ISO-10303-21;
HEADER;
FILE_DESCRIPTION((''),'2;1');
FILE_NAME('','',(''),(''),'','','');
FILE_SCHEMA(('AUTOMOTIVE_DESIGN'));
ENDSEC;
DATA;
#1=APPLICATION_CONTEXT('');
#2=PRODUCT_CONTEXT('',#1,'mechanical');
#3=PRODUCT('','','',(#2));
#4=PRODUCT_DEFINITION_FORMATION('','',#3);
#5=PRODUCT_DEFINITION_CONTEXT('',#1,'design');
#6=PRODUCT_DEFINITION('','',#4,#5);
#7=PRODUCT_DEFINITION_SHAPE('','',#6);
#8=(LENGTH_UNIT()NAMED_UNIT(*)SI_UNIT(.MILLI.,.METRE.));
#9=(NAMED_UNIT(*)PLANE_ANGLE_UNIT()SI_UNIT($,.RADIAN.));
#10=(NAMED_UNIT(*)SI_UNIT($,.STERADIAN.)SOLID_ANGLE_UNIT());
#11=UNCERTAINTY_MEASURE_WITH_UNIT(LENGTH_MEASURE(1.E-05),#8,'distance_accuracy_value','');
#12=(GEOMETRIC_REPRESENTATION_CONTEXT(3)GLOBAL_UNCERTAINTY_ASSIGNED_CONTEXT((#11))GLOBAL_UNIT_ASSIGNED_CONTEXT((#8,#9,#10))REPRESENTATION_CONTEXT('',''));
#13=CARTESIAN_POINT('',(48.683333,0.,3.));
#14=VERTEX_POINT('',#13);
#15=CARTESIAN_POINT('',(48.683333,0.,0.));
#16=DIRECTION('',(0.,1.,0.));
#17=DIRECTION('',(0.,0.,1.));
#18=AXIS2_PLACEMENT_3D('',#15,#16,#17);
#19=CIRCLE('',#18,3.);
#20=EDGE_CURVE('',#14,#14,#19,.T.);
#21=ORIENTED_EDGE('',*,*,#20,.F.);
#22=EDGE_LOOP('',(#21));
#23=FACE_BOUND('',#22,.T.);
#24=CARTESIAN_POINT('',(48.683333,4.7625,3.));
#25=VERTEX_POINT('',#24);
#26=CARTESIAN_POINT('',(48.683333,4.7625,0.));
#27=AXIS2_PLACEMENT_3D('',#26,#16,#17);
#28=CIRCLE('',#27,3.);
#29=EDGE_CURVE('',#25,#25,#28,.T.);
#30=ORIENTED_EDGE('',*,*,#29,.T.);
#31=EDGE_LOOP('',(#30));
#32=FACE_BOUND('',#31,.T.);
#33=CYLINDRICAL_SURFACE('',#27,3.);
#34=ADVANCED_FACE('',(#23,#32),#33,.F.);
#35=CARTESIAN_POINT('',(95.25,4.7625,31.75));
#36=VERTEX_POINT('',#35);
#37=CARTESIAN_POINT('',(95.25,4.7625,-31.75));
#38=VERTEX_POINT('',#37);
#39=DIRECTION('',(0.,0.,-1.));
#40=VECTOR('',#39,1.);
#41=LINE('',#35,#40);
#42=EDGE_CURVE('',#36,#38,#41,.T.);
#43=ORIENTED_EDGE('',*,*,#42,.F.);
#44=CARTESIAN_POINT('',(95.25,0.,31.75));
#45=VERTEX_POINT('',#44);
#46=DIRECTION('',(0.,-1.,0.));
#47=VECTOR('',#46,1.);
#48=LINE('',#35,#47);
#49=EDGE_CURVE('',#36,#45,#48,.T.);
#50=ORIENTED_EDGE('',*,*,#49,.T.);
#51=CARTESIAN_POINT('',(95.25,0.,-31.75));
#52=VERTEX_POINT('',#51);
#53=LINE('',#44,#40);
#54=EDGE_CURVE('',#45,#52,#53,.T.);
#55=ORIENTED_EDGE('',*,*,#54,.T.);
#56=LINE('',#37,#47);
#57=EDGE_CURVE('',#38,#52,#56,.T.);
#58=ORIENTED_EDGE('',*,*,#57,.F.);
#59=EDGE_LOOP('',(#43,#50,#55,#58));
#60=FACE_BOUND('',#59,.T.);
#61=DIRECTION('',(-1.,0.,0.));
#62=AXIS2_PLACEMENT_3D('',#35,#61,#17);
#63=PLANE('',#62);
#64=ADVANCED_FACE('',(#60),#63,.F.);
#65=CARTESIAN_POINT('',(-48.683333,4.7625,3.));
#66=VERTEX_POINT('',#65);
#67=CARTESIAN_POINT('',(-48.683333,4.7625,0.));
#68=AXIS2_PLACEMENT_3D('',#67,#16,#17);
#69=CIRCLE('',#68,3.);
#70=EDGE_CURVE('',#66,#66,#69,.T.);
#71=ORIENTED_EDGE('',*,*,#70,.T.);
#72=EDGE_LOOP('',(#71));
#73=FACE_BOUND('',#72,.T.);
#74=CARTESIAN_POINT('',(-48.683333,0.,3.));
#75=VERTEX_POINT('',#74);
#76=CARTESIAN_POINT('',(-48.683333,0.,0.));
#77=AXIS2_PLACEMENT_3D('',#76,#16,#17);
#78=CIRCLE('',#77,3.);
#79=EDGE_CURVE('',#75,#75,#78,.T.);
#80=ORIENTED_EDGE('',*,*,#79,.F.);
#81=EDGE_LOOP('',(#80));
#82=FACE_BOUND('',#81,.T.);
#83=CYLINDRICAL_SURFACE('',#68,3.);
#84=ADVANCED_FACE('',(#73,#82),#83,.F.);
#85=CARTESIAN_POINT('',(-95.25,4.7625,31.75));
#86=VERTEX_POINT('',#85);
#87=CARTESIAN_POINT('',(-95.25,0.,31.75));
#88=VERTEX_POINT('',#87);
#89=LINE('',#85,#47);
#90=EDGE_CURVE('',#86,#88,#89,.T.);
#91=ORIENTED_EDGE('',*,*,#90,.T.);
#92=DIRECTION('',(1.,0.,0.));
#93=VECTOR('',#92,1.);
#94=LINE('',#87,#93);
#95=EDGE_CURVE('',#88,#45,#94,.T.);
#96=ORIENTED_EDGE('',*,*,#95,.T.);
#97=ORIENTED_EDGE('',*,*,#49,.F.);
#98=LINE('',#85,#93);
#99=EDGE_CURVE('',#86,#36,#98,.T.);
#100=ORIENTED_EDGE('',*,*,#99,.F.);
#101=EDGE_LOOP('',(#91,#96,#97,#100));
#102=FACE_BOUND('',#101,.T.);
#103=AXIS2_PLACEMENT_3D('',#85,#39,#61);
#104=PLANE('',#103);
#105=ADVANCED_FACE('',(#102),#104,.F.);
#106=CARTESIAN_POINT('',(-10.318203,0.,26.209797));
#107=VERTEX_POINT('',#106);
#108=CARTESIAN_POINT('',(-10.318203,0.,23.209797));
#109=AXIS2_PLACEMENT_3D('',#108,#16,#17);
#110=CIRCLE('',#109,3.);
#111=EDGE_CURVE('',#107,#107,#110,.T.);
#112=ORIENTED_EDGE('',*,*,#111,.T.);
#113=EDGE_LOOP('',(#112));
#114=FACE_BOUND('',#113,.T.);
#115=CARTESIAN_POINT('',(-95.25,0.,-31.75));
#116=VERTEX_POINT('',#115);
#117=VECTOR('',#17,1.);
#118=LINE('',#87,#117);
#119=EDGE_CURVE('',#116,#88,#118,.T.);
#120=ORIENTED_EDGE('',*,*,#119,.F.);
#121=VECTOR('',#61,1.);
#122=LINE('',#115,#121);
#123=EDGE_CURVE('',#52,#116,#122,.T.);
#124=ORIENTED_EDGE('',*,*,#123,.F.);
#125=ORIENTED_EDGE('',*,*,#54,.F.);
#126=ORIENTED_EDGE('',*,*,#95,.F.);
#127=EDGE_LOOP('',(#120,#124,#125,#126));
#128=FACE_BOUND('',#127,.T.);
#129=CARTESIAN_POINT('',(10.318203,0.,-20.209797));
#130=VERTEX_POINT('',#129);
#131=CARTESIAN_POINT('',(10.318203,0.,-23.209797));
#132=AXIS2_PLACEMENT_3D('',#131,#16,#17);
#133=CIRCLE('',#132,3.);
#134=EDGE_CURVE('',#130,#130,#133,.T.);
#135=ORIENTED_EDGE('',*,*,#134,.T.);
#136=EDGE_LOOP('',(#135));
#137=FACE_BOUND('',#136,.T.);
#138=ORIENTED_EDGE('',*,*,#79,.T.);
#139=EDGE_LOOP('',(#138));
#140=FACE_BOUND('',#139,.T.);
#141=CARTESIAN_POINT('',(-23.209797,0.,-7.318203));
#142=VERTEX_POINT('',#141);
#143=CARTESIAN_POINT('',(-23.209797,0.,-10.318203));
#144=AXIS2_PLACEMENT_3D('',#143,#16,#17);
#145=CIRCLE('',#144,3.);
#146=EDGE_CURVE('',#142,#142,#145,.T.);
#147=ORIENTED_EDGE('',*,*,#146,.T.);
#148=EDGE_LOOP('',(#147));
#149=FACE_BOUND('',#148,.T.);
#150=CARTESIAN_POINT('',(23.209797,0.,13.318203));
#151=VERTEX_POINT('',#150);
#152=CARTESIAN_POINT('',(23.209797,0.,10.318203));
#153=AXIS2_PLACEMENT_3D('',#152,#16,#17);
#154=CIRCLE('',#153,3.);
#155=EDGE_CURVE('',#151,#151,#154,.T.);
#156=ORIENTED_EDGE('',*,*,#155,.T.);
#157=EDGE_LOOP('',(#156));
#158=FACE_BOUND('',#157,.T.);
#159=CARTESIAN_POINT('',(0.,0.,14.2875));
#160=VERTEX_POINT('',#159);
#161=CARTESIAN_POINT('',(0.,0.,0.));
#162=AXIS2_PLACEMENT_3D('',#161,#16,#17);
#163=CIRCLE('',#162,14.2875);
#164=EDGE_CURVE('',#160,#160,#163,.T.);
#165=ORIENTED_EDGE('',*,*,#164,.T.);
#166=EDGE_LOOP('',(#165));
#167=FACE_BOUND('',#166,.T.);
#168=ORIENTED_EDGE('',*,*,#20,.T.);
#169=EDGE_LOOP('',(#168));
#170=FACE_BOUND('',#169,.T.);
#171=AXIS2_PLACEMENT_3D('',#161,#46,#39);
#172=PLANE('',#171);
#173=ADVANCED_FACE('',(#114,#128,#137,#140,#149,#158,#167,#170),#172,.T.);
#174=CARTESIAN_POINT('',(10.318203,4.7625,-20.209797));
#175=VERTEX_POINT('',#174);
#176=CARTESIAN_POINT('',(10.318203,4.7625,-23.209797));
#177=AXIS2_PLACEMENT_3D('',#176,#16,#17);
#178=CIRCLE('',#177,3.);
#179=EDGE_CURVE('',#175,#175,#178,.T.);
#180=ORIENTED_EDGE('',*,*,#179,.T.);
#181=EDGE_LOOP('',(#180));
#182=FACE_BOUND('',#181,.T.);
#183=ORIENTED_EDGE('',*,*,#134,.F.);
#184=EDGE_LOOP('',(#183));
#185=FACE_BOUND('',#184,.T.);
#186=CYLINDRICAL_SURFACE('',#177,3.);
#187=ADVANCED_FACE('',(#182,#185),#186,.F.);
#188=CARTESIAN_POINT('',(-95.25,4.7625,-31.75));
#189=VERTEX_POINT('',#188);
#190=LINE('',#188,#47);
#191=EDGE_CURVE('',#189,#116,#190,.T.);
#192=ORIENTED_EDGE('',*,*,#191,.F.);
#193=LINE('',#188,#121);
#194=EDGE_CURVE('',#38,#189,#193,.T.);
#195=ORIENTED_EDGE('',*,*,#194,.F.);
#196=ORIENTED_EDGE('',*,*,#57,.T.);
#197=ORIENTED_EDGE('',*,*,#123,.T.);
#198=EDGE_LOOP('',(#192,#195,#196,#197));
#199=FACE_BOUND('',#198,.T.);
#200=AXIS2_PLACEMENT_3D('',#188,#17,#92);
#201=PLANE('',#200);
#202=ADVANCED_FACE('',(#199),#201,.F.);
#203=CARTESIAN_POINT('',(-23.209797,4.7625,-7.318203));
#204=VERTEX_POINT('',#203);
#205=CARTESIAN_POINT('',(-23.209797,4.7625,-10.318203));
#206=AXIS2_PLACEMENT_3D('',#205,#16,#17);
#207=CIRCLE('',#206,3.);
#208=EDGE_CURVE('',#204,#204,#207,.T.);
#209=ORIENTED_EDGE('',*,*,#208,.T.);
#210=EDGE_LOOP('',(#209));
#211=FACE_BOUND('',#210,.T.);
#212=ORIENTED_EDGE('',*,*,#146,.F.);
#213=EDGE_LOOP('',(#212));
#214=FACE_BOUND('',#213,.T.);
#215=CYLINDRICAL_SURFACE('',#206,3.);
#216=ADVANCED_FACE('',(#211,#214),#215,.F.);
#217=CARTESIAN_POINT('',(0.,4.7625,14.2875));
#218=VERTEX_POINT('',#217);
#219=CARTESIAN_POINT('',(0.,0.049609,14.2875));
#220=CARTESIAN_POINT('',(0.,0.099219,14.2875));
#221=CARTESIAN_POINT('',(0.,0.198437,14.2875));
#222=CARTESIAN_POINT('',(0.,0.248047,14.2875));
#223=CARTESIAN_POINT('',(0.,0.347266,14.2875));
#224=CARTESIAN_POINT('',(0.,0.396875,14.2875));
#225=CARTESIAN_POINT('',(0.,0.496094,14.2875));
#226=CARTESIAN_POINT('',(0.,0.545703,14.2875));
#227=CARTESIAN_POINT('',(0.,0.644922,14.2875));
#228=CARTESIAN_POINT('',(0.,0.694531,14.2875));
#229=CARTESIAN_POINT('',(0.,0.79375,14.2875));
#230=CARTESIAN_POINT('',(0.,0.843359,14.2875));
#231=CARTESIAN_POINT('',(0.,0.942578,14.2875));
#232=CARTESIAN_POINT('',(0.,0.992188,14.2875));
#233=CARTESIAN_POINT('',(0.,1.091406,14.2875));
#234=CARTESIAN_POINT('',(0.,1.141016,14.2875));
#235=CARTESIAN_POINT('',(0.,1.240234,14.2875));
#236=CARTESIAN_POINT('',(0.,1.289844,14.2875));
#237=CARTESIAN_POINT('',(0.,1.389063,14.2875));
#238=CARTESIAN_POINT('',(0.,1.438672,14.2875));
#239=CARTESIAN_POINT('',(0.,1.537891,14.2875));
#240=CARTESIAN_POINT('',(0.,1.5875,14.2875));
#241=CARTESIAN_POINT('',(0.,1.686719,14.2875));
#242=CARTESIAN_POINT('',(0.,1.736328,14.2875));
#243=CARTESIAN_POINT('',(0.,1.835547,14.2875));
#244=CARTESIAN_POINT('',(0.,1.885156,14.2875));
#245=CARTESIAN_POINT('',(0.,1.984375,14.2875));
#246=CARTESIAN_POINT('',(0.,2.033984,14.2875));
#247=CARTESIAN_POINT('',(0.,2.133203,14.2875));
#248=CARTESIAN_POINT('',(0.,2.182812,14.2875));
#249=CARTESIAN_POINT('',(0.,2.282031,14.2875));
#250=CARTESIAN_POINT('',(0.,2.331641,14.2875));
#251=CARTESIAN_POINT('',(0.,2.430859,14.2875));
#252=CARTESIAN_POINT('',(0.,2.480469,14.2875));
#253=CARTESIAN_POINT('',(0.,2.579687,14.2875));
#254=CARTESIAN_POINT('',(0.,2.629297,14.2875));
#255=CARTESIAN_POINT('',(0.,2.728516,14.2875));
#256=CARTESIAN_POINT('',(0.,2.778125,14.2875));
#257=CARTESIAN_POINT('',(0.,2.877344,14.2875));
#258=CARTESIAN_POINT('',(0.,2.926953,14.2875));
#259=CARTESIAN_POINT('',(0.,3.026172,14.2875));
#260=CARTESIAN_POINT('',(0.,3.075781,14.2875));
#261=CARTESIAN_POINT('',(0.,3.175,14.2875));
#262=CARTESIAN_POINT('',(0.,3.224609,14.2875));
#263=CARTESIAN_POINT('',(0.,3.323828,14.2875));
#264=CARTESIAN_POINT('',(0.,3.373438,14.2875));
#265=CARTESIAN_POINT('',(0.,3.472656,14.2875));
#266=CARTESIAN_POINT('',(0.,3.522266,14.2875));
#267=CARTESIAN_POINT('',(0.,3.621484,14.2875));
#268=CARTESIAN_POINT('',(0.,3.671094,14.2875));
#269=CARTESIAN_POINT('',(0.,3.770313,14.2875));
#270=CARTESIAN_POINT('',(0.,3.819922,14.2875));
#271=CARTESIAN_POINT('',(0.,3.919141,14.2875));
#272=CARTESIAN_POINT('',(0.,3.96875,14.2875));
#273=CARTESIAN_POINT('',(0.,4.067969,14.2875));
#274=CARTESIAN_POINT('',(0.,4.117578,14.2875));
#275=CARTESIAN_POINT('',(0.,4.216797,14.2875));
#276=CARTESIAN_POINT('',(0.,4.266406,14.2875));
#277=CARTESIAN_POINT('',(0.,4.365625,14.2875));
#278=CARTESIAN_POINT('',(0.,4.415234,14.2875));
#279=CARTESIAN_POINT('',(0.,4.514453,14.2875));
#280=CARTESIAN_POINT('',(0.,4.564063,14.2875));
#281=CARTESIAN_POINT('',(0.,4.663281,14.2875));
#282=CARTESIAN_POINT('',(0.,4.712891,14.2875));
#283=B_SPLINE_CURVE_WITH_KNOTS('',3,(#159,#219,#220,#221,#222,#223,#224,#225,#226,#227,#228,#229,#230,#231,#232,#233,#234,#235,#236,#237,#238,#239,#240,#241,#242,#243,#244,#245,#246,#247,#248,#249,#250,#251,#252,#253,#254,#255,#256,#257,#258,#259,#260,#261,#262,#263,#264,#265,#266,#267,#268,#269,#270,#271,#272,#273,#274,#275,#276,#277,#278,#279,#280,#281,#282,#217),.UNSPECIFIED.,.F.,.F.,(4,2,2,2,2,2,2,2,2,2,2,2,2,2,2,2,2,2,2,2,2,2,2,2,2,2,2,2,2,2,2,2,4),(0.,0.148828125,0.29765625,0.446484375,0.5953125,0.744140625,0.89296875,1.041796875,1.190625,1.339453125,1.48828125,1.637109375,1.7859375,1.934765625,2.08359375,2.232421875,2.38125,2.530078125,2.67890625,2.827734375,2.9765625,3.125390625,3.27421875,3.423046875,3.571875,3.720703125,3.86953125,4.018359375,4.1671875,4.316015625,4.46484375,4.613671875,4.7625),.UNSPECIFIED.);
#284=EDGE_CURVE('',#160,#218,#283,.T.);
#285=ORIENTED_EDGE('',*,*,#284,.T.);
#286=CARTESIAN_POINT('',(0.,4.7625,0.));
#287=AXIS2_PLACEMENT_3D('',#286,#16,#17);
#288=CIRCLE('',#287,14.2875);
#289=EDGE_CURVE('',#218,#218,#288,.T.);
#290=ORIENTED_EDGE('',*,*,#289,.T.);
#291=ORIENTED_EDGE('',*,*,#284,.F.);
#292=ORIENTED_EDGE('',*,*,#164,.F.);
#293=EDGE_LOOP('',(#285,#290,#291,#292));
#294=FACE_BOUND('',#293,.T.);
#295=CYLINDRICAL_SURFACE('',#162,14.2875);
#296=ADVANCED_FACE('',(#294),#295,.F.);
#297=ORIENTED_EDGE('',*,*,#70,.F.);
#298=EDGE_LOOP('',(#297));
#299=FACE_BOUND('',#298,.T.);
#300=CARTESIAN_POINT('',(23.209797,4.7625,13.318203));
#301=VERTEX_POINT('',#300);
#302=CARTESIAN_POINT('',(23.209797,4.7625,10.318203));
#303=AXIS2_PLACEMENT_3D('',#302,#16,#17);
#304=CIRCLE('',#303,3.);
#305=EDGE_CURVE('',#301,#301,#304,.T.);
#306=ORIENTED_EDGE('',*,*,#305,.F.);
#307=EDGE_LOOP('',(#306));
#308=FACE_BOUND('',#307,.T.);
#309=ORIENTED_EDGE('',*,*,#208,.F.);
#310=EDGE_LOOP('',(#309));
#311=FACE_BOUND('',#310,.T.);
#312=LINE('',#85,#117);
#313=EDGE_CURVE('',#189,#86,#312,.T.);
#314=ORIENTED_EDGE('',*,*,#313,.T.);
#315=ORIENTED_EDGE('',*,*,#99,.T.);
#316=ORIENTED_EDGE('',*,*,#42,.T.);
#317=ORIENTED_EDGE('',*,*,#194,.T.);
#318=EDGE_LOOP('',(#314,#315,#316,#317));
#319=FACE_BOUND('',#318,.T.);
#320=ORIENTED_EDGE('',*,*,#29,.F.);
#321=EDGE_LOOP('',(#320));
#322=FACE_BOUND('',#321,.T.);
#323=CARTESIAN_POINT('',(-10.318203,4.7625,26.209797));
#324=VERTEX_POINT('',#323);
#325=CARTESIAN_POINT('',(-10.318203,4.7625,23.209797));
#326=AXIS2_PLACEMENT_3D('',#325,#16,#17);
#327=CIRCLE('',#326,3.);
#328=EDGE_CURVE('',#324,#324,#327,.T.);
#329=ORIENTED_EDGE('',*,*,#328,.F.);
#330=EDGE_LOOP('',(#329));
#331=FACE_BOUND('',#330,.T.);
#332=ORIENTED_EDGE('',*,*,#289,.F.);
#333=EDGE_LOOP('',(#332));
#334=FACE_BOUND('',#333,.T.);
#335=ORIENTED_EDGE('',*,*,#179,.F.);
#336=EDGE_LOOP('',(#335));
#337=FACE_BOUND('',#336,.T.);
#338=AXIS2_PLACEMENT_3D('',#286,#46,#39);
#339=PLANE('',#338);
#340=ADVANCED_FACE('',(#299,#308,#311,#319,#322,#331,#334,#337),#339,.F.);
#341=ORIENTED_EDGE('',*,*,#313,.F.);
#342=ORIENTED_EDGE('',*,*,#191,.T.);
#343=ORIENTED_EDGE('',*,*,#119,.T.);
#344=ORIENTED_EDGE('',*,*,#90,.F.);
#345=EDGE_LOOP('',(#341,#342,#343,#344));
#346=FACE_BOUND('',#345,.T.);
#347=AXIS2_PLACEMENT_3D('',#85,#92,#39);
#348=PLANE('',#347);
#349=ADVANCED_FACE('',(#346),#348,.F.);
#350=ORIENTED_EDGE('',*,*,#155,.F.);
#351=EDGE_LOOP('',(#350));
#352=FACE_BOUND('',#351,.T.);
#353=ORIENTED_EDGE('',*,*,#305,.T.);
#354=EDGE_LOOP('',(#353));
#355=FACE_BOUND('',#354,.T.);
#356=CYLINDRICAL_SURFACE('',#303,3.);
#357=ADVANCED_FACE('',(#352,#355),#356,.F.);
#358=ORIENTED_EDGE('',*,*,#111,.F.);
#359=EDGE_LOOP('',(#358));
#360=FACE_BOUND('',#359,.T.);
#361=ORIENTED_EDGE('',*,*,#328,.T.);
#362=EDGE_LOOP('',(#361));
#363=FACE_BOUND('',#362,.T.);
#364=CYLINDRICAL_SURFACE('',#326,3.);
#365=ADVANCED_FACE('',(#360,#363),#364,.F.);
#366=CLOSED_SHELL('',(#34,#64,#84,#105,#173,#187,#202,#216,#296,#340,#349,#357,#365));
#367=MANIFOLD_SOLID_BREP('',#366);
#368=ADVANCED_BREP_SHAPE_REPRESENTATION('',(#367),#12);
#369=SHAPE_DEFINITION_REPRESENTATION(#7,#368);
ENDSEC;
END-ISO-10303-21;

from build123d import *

# Parameters (mm, degrees)
SKETCH1_W                = 190.5
SKETCH1_H                = 63.5
BOSS_EXTRUDE1_DEPTH      = 4.7625
SKETCH3_R                = 14.2875
CUT_EXTRUDE1_DEPTH       = 101.515204851
F_6_0_6_DIAMETER_HOLE1_D = 6


with BuildPart() as part:
    # Sketch1 → Boss-Extrude1 (new body)
    with BuildSketch(Plane(origin=(0, 0, 0), x_dir=(1, 0, 0), z_dir=(0, 1, 0))):
        Rectangle(SKETCH1_W, SKETCH1_H)
    extrude(amount=BOSS_EXTRUDE1_DEPTH)

    # Sketch3 → Cut-Extrude1 (cut, through all)
    with BuildSketch(Plane(origin=(0, 4.7625, 0), x_dir=(1, 0, 0), z_dir=(0, 1, 0))):
        with Locations(Location((0, 0, 0), (0, 0, 270))):
            Circle(SKETCH3_R)
    extrude(amount=-CUT_EXTRUDE1_DEPTH, mode=Mode.SUBTRACT)

    # Ø6.0 (6) Diameter Hole1 (through all)
    with Locations(Plane(origin=(0, 4.7625, 0), x_dir=(1, 0, 0), z_dir=(0, 1, 0))):
        with Locations((-23.209797391, 10.318202609), (-10.318202609, -23.209797391), (10.318202609, 23.209797391), (23.209797391, -10.318202609), (-48.683333333, 0), (48.683333333, 0)):
            Hole(F_6_0_6_DIAMETER_HOLE1_D / 2)


solid = part.part
